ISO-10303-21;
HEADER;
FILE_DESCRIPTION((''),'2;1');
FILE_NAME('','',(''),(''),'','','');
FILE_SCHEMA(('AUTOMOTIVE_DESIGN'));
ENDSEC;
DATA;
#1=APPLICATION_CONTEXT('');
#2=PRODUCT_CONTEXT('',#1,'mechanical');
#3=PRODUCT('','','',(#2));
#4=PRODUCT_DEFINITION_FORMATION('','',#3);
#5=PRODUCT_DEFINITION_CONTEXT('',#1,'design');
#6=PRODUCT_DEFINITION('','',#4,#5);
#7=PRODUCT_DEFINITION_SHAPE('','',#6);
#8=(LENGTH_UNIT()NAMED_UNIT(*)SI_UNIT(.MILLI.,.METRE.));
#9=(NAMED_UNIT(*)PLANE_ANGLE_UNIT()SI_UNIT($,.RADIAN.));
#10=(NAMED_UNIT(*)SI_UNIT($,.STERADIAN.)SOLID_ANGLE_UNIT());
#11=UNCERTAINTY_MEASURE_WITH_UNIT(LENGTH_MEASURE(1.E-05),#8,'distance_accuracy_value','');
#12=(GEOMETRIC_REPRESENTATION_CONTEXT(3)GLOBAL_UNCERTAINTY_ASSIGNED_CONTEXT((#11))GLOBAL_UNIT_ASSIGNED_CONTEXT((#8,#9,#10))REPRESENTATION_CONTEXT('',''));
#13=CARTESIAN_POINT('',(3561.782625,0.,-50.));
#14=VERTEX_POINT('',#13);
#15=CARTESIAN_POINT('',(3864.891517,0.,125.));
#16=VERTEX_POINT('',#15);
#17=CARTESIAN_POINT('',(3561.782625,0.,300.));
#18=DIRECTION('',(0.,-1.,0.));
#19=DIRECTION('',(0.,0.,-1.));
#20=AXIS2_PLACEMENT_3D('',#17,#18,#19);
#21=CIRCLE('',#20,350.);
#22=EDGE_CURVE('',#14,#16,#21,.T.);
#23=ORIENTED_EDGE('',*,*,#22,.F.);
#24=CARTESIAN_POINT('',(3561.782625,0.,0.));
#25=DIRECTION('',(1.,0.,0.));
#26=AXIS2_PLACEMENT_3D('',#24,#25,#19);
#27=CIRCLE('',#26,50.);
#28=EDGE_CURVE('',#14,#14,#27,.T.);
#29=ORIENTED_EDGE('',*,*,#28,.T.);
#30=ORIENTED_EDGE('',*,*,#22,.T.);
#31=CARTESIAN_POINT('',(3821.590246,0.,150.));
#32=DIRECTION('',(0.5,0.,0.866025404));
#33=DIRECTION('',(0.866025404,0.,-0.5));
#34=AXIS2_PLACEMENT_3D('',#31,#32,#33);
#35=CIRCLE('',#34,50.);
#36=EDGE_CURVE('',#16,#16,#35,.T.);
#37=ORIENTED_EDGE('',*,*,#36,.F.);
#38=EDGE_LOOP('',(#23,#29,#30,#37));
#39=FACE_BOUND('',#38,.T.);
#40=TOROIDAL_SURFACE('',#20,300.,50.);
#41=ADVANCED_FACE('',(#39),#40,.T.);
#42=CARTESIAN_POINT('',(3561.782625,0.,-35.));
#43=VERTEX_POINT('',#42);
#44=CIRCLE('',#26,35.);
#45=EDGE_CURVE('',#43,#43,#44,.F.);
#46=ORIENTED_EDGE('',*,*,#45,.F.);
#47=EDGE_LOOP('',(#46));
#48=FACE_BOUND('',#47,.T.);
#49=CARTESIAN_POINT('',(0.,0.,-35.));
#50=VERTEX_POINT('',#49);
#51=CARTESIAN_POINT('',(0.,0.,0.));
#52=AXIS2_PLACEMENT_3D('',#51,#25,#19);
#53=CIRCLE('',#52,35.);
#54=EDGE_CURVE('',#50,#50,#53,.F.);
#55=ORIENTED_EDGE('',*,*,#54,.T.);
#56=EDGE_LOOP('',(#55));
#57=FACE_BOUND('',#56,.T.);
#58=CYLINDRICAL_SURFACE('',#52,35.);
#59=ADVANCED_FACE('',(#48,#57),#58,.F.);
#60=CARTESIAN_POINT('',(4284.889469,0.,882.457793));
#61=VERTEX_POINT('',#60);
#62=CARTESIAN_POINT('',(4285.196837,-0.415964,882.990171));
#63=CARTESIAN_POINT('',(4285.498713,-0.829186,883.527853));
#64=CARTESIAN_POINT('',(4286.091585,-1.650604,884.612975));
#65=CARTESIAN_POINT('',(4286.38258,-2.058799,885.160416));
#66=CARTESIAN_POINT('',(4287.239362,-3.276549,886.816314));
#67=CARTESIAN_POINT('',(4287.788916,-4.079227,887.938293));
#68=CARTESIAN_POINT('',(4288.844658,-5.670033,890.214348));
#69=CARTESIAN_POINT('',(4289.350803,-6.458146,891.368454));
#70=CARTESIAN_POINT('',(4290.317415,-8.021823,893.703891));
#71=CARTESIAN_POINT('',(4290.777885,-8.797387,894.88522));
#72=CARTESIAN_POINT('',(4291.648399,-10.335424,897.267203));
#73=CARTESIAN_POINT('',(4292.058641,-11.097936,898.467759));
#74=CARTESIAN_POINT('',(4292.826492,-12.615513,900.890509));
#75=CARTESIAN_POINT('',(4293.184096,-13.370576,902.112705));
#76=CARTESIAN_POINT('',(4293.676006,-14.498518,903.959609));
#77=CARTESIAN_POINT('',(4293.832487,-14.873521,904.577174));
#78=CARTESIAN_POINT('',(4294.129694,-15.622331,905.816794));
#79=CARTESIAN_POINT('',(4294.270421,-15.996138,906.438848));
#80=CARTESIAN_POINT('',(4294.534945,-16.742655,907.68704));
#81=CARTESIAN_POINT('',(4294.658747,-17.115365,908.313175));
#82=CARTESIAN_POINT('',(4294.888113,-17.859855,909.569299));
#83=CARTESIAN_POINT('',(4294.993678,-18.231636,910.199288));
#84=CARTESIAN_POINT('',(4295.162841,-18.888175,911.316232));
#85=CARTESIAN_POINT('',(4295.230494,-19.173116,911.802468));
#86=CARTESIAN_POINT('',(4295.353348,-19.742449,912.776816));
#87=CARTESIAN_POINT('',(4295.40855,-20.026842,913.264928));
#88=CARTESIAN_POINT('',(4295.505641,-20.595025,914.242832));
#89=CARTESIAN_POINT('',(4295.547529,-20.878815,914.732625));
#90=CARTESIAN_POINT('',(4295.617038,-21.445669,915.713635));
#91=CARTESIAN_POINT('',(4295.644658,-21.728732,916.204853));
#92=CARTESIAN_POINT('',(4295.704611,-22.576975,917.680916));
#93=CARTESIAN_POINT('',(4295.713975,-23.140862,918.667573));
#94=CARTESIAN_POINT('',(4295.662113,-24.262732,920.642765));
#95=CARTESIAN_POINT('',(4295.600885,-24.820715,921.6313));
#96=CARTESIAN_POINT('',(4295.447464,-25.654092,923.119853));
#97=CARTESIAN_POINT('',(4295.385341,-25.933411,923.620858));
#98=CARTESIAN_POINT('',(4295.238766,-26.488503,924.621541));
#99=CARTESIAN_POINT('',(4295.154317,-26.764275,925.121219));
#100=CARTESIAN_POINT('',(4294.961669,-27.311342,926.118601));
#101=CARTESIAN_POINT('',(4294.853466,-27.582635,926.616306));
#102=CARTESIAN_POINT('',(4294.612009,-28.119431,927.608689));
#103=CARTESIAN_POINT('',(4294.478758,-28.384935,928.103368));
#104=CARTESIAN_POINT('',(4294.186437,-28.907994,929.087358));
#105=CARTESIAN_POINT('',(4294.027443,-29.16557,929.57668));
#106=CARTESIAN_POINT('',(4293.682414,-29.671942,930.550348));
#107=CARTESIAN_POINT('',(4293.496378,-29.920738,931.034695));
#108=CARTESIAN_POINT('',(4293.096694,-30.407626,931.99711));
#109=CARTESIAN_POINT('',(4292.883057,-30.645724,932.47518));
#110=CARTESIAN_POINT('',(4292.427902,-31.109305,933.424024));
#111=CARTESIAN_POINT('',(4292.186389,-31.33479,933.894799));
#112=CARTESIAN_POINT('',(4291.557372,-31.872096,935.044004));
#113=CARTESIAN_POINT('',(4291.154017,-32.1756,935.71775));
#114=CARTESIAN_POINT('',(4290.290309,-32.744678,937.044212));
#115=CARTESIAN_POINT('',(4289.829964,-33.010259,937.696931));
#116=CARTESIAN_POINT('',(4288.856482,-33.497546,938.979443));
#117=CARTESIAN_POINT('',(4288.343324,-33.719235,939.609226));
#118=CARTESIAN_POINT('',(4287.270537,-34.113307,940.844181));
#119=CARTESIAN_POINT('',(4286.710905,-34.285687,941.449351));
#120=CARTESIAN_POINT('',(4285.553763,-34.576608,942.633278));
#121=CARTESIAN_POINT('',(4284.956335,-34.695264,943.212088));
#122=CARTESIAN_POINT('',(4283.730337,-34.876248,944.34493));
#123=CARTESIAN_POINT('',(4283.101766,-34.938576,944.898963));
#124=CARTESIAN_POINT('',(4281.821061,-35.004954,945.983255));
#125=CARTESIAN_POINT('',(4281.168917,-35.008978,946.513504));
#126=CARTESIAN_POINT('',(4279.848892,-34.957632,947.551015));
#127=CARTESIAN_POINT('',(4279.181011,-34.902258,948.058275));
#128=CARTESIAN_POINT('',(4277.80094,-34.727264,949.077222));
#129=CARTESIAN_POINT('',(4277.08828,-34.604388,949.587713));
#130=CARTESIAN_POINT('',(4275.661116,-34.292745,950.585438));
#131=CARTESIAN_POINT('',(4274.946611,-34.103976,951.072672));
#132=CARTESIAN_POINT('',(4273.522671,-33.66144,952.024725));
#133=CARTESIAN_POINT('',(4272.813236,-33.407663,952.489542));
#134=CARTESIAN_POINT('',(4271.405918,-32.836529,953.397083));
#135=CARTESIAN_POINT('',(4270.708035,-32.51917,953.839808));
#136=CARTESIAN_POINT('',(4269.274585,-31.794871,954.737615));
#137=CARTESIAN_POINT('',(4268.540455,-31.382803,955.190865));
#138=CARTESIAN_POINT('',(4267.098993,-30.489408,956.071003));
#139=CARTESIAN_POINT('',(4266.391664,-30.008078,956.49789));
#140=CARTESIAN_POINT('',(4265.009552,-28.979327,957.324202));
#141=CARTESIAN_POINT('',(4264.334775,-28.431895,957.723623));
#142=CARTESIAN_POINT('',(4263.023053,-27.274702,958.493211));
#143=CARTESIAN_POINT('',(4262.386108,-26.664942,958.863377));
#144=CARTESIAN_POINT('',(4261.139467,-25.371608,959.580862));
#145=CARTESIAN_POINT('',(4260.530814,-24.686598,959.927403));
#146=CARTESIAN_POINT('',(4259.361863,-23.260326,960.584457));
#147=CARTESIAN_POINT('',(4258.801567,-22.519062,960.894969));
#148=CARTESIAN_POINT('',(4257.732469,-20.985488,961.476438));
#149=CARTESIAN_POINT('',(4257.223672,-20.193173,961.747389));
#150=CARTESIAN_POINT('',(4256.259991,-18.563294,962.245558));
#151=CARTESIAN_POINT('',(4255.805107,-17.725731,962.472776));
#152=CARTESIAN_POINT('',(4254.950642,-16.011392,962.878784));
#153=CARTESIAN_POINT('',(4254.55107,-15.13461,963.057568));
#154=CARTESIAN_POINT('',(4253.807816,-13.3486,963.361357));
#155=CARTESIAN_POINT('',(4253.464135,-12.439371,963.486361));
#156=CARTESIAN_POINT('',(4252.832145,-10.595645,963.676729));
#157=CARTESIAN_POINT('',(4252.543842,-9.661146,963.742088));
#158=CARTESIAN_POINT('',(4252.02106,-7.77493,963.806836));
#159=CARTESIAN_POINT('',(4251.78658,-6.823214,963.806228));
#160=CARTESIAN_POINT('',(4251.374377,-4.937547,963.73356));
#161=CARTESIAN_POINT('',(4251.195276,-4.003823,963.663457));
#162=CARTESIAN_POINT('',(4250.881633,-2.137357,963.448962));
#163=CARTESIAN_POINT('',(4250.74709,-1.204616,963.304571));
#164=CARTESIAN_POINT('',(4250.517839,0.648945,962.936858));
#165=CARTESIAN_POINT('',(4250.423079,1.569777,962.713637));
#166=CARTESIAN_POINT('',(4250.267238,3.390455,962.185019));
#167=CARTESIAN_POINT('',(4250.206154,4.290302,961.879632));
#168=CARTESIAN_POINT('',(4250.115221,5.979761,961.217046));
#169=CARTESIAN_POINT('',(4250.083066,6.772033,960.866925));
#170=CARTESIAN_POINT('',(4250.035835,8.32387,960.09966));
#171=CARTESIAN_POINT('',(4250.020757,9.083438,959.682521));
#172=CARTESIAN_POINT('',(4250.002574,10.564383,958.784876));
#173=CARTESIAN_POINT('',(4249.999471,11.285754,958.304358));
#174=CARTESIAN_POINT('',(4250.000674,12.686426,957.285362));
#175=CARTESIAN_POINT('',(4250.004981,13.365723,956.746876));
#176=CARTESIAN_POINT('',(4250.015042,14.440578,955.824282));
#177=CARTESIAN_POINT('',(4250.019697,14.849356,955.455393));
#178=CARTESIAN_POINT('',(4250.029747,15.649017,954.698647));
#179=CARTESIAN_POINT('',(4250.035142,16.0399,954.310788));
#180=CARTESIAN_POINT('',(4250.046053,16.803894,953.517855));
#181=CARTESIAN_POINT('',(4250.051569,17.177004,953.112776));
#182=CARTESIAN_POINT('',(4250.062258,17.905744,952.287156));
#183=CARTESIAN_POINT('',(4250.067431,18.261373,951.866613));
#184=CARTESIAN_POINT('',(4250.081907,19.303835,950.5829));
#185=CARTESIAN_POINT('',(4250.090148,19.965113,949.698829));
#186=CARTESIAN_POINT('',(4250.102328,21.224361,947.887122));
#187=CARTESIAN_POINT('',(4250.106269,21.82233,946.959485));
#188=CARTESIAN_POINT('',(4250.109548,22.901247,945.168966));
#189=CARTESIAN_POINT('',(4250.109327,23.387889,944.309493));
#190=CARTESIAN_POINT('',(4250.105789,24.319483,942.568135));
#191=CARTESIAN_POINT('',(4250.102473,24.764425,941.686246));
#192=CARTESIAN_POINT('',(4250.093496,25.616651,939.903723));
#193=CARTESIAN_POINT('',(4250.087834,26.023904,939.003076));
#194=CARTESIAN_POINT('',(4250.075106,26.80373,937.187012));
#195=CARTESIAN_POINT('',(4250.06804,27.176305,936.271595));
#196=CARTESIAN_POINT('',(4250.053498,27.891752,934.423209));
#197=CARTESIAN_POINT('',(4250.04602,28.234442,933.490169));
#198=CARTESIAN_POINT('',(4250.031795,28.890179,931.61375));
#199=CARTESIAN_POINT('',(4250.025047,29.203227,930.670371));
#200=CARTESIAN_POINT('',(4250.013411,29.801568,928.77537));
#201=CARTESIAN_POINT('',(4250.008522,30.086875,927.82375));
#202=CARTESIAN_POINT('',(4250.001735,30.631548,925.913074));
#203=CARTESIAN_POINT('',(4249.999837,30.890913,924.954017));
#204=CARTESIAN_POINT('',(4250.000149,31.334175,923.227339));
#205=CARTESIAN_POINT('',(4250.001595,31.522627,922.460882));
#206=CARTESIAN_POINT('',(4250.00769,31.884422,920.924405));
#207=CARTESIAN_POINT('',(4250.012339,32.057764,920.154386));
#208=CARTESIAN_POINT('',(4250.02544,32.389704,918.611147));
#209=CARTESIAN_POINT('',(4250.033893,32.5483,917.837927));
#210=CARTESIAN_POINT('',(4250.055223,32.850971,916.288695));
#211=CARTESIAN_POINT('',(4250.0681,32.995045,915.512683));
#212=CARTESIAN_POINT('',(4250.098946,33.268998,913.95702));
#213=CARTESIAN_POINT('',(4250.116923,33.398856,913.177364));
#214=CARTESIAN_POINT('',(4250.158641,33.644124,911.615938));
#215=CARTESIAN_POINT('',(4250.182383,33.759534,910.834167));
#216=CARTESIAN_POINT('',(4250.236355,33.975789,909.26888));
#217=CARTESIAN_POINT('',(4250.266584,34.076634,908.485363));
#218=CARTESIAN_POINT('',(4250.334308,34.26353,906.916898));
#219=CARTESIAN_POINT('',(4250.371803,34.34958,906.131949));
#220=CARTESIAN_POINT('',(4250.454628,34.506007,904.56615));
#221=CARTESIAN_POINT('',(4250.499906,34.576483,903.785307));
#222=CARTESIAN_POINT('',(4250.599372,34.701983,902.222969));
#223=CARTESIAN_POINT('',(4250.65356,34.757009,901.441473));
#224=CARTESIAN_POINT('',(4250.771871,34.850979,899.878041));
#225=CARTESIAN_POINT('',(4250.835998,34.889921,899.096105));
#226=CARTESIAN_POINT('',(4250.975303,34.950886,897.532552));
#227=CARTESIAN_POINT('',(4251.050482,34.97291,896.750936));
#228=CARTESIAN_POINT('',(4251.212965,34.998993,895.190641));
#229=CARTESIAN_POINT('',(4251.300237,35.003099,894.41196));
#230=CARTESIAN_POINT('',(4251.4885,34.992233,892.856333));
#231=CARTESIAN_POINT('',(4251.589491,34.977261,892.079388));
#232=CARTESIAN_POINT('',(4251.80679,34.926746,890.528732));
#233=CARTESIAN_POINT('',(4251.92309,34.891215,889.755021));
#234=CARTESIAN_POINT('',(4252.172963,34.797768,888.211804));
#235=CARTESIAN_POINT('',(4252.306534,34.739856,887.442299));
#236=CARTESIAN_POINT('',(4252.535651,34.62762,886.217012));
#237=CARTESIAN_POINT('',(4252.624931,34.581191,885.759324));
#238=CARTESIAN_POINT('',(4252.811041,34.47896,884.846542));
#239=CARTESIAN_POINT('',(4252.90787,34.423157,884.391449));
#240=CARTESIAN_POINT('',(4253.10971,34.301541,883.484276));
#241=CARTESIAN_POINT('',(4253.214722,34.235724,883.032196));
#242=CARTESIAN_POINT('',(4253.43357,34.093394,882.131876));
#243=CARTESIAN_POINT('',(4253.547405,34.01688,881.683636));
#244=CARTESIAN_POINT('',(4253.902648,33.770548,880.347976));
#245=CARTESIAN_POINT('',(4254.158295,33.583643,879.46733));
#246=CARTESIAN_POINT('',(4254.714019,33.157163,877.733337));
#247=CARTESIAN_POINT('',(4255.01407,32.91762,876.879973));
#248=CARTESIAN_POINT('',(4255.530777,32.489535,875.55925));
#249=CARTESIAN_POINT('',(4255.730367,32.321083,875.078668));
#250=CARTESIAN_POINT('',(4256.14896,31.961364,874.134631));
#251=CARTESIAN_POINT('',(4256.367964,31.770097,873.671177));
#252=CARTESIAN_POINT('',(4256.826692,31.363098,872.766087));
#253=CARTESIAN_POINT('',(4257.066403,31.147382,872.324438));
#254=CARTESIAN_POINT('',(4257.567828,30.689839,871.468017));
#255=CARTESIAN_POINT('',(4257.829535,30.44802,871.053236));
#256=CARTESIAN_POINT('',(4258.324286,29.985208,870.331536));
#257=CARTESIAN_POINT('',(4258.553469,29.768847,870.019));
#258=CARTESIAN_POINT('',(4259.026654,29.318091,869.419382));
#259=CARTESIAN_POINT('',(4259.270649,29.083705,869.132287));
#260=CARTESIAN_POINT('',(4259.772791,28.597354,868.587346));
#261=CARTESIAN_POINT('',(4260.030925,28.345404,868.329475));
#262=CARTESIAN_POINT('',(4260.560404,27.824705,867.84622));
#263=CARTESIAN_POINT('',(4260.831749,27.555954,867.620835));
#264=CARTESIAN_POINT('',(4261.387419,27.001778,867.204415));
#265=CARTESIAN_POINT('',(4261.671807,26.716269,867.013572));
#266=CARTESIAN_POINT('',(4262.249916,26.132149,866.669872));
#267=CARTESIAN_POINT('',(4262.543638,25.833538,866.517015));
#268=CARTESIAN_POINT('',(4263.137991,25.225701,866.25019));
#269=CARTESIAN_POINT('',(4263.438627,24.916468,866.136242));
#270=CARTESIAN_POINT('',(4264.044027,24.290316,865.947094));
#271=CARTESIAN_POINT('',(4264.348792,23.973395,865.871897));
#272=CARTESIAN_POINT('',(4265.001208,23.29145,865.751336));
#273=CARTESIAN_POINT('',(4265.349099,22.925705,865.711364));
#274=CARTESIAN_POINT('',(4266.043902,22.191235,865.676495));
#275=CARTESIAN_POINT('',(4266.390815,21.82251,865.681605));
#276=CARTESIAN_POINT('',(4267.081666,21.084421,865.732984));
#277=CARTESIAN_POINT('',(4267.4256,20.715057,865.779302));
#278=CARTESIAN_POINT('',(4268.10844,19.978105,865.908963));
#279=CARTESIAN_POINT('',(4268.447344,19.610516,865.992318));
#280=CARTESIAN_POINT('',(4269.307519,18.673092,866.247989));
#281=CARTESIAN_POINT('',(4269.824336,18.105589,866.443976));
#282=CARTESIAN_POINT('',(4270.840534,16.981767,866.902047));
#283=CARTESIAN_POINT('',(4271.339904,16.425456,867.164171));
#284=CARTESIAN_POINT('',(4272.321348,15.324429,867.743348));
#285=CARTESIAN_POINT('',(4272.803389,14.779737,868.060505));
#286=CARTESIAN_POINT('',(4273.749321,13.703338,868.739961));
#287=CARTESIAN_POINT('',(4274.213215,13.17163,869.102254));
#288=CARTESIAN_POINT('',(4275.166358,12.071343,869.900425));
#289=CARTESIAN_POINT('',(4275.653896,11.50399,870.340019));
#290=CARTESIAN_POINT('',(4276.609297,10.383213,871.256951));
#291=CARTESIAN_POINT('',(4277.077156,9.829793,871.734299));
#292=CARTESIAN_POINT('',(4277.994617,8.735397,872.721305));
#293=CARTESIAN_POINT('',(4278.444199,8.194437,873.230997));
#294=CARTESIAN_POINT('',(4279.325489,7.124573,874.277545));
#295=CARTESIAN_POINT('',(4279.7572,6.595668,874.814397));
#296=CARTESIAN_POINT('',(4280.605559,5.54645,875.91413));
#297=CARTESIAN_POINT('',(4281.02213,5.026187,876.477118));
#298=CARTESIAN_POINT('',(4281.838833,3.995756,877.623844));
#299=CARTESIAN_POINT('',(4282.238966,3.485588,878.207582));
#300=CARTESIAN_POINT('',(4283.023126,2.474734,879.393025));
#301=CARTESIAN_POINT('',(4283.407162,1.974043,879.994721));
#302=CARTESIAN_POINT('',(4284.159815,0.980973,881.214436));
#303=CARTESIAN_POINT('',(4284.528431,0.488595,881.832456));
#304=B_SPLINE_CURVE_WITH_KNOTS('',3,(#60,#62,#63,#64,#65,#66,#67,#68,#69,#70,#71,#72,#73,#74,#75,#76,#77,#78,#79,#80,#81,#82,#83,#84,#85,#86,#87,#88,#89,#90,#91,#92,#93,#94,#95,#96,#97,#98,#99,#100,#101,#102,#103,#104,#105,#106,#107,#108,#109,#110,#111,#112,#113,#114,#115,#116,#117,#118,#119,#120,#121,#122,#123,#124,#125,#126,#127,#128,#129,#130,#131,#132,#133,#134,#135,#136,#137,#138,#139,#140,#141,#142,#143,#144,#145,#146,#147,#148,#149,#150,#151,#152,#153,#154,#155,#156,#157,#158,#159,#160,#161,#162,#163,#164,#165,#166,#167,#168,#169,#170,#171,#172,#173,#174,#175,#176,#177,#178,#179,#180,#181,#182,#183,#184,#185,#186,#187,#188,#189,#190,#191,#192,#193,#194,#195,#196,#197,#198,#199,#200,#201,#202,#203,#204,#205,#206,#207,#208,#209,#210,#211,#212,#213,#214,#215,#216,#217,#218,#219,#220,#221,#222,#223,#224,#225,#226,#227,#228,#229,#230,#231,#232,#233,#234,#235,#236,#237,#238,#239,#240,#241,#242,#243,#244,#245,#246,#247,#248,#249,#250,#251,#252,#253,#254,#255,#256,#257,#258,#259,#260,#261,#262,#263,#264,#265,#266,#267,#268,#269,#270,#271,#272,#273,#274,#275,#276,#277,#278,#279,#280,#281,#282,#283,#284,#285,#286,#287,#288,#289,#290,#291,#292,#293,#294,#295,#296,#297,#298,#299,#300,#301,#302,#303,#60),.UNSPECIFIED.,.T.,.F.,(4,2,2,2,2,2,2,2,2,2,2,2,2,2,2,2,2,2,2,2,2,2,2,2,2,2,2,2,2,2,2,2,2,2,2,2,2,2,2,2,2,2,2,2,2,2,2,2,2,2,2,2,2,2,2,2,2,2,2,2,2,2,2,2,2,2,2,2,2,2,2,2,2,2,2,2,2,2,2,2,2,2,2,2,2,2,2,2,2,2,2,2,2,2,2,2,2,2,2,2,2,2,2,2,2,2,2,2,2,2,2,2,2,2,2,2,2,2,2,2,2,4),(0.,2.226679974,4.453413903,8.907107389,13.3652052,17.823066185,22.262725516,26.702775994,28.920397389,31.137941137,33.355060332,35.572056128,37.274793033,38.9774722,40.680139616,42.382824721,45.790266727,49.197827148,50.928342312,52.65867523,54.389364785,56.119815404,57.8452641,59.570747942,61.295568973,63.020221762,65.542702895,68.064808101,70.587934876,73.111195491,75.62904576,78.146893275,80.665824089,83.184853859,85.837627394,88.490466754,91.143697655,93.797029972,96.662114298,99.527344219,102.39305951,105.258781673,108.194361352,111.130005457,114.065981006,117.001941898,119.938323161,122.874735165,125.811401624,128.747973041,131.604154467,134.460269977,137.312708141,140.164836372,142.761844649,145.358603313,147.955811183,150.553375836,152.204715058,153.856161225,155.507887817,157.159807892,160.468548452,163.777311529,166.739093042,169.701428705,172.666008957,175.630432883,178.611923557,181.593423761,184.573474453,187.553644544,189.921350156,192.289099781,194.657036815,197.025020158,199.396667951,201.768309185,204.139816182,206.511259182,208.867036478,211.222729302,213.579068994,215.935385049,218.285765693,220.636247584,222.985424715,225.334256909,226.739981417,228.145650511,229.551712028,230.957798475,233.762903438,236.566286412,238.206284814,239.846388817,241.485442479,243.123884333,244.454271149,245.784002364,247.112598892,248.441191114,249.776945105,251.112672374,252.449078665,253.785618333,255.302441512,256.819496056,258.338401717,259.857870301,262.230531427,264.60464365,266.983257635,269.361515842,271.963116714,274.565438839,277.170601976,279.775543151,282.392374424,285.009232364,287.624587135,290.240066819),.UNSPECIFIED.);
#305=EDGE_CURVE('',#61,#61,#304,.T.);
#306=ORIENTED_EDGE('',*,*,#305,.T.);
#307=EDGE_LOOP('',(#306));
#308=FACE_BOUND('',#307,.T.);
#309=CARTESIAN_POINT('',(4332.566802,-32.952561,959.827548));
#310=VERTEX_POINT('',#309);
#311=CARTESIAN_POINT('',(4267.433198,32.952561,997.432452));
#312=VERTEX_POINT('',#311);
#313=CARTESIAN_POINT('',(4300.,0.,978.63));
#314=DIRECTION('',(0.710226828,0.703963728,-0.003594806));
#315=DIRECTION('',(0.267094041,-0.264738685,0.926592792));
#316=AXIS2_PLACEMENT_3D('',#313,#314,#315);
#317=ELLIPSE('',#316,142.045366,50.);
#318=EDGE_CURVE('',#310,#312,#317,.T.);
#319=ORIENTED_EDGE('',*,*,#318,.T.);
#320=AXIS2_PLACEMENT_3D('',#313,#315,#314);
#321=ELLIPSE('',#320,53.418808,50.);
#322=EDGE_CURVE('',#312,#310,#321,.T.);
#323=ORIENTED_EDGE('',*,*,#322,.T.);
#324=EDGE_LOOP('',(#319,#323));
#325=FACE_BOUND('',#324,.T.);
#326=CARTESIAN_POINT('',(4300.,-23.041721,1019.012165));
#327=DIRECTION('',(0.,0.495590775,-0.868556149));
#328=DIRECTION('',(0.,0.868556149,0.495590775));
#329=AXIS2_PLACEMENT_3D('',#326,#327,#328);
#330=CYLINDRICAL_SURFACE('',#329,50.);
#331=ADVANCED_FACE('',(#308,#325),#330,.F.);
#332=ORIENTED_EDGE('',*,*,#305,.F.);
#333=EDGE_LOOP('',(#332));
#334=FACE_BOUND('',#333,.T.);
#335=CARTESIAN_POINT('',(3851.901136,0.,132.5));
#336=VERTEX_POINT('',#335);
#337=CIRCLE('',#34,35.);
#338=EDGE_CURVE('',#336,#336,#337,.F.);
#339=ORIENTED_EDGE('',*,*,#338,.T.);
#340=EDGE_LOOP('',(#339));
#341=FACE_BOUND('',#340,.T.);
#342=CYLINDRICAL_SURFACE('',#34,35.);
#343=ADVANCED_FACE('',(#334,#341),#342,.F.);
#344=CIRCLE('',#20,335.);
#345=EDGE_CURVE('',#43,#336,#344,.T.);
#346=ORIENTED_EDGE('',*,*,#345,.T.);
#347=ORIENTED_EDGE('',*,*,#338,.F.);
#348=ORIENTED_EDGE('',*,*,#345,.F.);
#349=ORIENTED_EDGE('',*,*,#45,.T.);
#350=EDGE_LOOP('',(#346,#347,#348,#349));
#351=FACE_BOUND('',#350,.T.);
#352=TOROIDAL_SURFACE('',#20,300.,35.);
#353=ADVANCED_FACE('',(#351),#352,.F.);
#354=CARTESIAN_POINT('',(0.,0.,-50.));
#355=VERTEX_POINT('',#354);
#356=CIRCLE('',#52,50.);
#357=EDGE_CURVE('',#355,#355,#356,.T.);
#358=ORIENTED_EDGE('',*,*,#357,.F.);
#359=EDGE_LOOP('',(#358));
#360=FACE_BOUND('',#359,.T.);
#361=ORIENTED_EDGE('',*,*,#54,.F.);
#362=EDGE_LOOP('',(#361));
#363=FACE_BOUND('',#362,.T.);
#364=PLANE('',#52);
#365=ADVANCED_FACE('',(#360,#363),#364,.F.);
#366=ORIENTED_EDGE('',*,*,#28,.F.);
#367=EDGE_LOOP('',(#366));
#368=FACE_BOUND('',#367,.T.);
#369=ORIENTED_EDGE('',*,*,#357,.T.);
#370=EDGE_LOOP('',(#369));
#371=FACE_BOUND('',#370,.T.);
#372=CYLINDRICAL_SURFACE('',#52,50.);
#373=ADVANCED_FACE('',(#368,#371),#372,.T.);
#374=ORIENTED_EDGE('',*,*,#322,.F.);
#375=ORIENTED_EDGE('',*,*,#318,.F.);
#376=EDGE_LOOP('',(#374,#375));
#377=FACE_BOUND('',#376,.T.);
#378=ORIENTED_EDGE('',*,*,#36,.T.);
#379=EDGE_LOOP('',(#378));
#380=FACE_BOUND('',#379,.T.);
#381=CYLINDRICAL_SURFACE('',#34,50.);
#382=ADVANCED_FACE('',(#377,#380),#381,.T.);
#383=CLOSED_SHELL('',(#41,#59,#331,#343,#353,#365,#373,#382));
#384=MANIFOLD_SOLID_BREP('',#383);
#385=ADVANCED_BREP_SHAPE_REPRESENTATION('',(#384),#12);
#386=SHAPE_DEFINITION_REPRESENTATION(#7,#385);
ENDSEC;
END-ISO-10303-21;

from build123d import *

# Parameters (mm, degrees)
SKETCH2_R               = 50
SKETCH2_R_2             = 35
CUT_EXTRUDE1_DEPTH      = 4422.603744923
CUT_EXTRUDE1_DEPTH_BACK = 4422.603744923
SKETCH5_R               = 50


with BuildPart() as part:
    # Sweep1: sweep along a path in Sketch1
    with BuildLine(Plane(origin=(0, 0, 0), x_dir=(1, 0, 0), z_dir=(0, 1, 0))) as sweep1_path:
        Line((0, 0), (3561.782625306, 0))
        ThreePointArc((3561.782625306, 0), (3711.782625306, -40.192378865), (3821.590246441, -150))
        Line((3821.590246441, -150), (4300, -978.63))
    # Sketch2 → Sweep1 (sweep)
    with BuildSketch(Plane(origin=(0, 0, 0), x_dir=(0, 0, -1), z_dir=(1, 0, 0))):
        Circle(SKETCH2_R)
        Circle(SKETCH2_R_2, mode=Mode.SUBTRACT)
    sweep(path=sweep1_path.line)

    # Sketch5 → Cut-Extrude1 (cut, two sides: drawn at the far end of the back side and taken through both)
    with BuildSketch(Plane(origin=(4300, 0, 978.63), x_dir=(1, 0, 0), z_dir=(0, 0.495590774858731, -0.8685561489477365)).offset(-CUT_EXTRUDE1_DEPTH_BACK)):
        Circle(SKETCH5_R)
    extrude(amount=CUT_EXTRUDE1_DEPTH + CUT_EXTRUDE1_DEPTH_BACK, mode=Mode.SUBTRACT)


solid = part.part
